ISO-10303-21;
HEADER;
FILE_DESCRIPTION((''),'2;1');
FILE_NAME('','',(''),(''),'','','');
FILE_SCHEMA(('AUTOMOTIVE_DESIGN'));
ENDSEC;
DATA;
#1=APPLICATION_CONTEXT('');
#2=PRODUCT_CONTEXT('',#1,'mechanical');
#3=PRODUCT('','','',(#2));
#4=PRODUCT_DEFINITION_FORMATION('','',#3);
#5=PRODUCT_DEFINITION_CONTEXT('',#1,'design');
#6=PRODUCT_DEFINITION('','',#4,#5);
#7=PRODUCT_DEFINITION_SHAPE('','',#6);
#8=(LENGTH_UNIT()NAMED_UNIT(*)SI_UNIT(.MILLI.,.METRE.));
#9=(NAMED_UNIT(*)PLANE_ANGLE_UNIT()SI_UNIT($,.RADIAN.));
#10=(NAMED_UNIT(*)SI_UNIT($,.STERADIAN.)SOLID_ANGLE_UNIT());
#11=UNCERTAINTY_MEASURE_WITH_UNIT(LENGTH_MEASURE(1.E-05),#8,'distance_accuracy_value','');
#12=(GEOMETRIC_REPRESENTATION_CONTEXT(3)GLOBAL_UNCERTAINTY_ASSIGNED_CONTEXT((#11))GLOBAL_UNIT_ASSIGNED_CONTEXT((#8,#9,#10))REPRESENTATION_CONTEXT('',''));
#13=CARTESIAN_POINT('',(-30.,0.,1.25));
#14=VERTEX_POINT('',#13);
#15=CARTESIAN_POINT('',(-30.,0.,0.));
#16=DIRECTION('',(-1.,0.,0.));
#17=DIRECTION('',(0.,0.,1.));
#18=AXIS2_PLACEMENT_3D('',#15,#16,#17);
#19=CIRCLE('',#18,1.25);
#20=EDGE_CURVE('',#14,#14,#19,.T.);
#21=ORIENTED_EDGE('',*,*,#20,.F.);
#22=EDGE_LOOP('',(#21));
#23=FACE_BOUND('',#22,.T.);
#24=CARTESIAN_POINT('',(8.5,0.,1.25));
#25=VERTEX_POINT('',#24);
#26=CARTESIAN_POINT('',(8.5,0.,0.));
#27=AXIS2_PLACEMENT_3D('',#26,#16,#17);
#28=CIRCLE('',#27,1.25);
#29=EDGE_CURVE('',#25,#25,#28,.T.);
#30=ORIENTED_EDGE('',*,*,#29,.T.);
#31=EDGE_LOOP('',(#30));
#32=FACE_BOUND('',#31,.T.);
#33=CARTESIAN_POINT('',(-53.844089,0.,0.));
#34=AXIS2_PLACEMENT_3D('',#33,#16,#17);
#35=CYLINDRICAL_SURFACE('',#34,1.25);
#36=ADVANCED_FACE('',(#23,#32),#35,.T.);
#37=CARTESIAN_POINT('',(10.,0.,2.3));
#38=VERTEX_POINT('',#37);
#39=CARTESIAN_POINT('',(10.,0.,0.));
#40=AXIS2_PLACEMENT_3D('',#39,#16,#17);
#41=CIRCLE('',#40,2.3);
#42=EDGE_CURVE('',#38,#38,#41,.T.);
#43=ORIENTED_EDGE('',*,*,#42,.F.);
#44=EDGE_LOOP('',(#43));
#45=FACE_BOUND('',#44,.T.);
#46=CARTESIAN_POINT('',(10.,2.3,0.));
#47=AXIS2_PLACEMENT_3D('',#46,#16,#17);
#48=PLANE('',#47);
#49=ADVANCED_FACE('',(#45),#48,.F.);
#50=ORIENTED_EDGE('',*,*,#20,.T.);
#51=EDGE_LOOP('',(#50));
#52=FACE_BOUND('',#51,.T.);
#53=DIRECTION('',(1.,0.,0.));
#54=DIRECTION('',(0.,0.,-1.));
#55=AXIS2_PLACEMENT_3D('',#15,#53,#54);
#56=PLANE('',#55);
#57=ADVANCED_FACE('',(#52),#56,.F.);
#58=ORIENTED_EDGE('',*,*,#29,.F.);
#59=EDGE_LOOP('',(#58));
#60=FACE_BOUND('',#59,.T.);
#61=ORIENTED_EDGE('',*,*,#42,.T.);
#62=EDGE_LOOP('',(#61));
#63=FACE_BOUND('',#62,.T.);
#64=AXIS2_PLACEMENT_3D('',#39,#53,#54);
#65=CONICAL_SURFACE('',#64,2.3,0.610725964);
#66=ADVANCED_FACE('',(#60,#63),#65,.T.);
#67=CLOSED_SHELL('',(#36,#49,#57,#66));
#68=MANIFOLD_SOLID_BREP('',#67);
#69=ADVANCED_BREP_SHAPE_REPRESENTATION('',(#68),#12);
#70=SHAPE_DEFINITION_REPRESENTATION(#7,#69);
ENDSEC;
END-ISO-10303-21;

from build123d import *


with BuildPart() as part:
    # 草图1 → 旋转1 (revolve)
    with BuildSketch(Plane.XY):
        Polygon((-30, 0), (-30, 1.25), (8.5, 1.25), (10, 2.3), (10, 0), align=None)
    revolve(axis=Axis((-53.844089168, 0, 0), (1, 0, 0)))


solid = part.part
